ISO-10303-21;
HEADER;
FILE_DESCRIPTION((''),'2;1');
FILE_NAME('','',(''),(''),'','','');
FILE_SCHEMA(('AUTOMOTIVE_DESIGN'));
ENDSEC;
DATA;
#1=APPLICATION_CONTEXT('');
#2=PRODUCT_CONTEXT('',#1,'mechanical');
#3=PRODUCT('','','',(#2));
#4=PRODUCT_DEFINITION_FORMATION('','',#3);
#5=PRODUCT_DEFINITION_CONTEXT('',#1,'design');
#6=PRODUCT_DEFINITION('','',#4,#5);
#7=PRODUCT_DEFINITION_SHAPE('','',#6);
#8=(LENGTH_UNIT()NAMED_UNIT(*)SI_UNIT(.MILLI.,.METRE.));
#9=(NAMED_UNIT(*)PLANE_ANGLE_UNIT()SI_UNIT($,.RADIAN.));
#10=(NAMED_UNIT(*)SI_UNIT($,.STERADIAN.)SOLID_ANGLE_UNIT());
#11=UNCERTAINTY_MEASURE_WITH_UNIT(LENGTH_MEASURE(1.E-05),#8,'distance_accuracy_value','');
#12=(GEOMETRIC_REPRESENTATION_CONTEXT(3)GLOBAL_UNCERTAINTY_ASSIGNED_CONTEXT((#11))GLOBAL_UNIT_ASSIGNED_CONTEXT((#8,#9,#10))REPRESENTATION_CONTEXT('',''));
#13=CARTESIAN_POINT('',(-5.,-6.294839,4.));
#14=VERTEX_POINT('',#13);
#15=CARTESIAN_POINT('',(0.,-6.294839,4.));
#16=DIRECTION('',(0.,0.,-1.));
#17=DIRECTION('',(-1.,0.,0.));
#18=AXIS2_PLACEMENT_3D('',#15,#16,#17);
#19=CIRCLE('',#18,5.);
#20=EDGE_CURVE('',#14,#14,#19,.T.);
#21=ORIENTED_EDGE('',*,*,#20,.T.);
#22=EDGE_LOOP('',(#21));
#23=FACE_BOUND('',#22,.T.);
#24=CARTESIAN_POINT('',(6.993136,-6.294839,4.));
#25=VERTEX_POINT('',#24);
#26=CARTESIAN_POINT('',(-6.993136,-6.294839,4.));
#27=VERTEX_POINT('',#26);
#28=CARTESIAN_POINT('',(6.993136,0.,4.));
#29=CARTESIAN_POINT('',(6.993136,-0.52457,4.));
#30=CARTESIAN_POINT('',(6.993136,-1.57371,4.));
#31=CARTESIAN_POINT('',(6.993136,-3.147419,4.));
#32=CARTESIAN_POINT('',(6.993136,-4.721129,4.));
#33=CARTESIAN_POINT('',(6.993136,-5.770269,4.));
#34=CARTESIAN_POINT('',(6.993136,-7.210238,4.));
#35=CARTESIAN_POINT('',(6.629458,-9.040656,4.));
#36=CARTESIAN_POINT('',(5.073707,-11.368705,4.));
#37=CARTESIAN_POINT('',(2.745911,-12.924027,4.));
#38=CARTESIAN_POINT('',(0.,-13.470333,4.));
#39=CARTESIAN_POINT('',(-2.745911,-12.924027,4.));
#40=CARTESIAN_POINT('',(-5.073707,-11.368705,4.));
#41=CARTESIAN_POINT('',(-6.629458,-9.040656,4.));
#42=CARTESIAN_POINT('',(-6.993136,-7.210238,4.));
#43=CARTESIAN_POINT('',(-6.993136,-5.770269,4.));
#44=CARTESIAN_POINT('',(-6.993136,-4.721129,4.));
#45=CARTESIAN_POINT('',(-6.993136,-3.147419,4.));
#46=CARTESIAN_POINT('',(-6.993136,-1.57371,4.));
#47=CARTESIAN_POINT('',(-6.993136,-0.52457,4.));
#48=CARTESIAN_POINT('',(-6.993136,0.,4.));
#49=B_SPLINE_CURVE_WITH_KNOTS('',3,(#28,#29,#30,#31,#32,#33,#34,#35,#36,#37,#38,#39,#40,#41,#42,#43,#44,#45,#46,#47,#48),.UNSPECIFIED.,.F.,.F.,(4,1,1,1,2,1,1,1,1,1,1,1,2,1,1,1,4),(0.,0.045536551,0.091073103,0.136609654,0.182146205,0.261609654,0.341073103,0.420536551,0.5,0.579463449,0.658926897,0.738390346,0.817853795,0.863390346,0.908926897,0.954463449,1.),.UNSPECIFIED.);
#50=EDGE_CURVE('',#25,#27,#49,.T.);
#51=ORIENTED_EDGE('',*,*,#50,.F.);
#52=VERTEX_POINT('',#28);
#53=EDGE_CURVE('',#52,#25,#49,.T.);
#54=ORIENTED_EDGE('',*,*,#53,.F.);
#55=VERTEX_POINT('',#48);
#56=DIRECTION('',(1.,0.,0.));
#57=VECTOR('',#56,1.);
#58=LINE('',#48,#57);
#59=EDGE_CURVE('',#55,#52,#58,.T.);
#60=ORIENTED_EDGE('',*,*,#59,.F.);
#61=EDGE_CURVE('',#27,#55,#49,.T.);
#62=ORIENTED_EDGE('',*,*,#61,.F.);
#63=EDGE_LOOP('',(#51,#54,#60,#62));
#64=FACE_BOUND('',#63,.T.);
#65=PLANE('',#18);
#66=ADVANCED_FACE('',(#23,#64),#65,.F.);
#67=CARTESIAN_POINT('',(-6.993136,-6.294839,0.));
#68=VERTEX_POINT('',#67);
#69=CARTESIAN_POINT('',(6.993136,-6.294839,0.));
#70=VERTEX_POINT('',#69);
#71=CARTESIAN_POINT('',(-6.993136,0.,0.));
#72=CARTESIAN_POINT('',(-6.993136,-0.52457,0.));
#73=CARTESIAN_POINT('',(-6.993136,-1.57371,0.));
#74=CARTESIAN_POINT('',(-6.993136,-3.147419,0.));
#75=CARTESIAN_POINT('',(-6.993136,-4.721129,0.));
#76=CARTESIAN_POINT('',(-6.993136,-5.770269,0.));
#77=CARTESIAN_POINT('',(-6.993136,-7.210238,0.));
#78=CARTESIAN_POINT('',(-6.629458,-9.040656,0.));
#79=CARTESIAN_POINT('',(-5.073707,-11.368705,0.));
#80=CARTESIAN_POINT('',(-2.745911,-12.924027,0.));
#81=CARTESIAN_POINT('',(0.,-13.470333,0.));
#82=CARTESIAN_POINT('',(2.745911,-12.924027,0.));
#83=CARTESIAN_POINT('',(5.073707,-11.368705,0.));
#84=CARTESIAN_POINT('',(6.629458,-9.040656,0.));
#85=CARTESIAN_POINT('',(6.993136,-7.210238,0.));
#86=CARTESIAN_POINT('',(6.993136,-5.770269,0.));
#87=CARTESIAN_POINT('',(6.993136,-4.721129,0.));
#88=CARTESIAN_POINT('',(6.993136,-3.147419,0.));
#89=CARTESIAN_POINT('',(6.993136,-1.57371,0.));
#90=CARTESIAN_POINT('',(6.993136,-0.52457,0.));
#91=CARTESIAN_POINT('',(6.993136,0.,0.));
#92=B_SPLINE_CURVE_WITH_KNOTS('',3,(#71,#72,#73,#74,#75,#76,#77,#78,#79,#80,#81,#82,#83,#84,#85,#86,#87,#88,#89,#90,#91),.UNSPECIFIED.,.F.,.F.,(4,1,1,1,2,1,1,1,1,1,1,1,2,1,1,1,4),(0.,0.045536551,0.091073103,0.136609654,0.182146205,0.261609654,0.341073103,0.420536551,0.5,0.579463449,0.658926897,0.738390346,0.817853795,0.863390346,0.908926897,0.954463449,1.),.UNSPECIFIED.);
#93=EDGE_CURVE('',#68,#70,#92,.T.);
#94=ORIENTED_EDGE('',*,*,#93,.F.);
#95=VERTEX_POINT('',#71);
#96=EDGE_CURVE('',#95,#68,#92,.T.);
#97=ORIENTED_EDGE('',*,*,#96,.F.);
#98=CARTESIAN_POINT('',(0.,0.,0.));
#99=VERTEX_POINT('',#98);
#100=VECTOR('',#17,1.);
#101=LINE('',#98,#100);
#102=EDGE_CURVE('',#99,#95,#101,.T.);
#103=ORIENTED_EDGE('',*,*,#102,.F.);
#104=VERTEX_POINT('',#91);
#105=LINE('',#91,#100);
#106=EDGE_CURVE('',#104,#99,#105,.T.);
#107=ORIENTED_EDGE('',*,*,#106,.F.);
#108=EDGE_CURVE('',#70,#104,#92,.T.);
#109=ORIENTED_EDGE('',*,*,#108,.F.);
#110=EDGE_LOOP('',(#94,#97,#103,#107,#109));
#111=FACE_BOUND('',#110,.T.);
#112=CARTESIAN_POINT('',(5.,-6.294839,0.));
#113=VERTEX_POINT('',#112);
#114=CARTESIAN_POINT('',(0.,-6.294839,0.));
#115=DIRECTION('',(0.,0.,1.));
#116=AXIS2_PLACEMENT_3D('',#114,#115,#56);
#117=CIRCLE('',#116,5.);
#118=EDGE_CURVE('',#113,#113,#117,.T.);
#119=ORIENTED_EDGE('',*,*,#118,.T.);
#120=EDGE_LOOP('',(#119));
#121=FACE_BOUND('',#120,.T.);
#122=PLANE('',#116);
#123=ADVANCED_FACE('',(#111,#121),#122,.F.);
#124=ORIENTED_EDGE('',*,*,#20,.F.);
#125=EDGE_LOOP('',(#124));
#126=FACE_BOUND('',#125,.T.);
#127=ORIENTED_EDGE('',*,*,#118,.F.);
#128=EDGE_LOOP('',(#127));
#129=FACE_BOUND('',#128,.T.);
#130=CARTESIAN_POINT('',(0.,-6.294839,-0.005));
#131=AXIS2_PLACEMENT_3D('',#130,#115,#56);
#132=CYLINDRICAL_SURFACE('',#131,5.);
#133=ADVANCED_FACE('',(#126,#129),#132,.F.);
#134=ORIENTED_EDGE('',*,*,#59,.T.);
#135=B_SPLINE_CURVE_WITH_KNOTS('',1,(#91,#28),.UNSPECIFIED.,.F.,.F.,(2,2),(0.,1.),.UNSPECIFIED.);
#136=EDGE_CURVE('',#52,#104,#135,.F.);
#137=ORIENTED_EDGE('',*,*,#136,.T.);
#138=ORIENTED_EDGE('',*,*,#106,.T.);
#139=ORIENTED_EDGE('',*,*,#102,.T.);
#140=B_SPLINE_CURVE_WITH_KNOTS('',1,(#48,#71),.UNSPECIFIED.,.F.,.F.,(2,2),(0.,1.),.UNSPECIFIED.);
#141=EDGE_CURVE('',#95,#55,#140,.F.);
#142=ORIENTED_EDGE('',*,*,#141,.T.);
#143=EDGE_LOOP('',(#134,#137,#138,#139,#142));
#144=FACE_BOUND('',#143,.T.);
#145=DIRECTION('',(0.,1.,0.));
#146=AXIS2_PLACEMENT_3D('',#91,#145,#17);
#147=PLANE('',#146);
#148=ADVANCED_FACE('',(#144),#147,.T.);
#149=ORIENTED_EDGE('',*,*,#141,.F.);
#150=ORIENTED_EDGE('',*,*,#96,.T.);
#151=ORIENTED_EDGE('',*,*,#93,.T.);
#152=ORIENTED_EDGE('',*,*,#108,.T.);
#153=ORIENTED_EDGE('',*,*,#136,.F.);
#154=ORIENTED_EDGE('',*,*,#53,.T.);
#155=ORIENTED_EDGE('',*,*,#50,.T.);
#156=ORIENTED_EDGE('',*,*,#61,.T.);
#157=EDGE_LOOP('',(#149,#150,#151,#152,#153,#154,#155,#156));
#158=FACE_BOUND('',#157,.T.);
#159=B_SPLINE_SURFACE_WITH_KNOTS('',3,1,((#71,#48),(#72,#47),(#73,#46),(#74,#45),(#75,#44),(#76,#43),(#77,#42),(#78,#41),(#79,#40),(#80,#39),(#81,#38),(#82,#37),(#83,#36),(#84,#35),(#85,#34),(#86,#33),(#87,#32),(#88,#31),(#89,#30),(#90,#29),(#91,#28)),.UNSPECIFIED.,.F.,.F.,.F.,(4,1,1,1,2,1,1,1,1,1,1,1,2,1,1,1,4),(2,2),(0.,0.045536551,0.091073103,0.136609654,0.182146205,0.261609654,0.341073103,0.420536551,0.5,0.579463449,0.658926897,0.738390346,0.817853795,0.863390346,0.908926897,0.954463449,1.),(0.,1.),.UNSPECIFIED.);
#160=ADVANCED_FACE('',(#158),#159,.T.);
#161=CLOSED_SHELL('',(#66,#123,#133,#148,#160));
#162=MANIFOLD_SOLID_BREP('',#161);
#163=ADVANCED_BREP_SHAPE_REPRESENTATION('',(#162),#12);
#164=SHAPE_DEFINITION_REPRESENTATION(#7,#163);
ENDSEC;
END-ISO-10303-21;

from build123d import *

# Parameters (mm, degrees)
CUT_EXTRUDE1_DEPTH      = 16.539441625
CUT_EXTRUDE1_DEPTH_BACK = 16.539441625
SKETCH2_R               = 5


with BuildPart() as part:
    # Sketch1 → Loft1 section 0
    with BuildSketch(Plane.XY):
        with BuildLine():
            Line((6.993136448, 0), (-6.993136448, 0))
            Line((-6.993136448, 0), (-6.993136448, -6.29483871))
            ThreePointArc((-6.993136448, -6.29483871), (0, -13.287975158), (6.993136448, -6.29483871))
            Line((6.993136448, -6.29483871), (6.993136448, 0))
        make_face()
    # Sketch3 → Loft1 section 1
    with BuildSketch(Plane(origin=(0, 0, 4), x_dir=(-1, 0, 0), z_dir=(0, 0, -1))):
        with BuildLine():
            Line((6.993136448, 0), (-6.993136448, 0))
            Line((-6.993136448, 0), (-6.993136448, -6.29483871))
            ThreePointArc((-6.993136448, -6.29483871), (0, -13.287975158), (6.993136448, -6.29483871))
            Line((6.993136448, -6.29483871), (6.993136448, 0))
        make_face()
    loft()

    # Sketch2 → Cut-Extrude1 (cut, two sides: drawn at the far end of the back side and taken through both)
    with BuildSketch(Plane.XY.offset(-CUT_EXTRUDE1_DEPTH_BACK)):
        with Locations((0, -6.29483871)):
            Circle(SKETCH2_R)
    extrude(amount=CUT_EXTRUDE1_DEPTH + CUT_EXTRUDE1_DEPTH_BACK, mode=Mode.SUBTRACT)


solid = part.part
